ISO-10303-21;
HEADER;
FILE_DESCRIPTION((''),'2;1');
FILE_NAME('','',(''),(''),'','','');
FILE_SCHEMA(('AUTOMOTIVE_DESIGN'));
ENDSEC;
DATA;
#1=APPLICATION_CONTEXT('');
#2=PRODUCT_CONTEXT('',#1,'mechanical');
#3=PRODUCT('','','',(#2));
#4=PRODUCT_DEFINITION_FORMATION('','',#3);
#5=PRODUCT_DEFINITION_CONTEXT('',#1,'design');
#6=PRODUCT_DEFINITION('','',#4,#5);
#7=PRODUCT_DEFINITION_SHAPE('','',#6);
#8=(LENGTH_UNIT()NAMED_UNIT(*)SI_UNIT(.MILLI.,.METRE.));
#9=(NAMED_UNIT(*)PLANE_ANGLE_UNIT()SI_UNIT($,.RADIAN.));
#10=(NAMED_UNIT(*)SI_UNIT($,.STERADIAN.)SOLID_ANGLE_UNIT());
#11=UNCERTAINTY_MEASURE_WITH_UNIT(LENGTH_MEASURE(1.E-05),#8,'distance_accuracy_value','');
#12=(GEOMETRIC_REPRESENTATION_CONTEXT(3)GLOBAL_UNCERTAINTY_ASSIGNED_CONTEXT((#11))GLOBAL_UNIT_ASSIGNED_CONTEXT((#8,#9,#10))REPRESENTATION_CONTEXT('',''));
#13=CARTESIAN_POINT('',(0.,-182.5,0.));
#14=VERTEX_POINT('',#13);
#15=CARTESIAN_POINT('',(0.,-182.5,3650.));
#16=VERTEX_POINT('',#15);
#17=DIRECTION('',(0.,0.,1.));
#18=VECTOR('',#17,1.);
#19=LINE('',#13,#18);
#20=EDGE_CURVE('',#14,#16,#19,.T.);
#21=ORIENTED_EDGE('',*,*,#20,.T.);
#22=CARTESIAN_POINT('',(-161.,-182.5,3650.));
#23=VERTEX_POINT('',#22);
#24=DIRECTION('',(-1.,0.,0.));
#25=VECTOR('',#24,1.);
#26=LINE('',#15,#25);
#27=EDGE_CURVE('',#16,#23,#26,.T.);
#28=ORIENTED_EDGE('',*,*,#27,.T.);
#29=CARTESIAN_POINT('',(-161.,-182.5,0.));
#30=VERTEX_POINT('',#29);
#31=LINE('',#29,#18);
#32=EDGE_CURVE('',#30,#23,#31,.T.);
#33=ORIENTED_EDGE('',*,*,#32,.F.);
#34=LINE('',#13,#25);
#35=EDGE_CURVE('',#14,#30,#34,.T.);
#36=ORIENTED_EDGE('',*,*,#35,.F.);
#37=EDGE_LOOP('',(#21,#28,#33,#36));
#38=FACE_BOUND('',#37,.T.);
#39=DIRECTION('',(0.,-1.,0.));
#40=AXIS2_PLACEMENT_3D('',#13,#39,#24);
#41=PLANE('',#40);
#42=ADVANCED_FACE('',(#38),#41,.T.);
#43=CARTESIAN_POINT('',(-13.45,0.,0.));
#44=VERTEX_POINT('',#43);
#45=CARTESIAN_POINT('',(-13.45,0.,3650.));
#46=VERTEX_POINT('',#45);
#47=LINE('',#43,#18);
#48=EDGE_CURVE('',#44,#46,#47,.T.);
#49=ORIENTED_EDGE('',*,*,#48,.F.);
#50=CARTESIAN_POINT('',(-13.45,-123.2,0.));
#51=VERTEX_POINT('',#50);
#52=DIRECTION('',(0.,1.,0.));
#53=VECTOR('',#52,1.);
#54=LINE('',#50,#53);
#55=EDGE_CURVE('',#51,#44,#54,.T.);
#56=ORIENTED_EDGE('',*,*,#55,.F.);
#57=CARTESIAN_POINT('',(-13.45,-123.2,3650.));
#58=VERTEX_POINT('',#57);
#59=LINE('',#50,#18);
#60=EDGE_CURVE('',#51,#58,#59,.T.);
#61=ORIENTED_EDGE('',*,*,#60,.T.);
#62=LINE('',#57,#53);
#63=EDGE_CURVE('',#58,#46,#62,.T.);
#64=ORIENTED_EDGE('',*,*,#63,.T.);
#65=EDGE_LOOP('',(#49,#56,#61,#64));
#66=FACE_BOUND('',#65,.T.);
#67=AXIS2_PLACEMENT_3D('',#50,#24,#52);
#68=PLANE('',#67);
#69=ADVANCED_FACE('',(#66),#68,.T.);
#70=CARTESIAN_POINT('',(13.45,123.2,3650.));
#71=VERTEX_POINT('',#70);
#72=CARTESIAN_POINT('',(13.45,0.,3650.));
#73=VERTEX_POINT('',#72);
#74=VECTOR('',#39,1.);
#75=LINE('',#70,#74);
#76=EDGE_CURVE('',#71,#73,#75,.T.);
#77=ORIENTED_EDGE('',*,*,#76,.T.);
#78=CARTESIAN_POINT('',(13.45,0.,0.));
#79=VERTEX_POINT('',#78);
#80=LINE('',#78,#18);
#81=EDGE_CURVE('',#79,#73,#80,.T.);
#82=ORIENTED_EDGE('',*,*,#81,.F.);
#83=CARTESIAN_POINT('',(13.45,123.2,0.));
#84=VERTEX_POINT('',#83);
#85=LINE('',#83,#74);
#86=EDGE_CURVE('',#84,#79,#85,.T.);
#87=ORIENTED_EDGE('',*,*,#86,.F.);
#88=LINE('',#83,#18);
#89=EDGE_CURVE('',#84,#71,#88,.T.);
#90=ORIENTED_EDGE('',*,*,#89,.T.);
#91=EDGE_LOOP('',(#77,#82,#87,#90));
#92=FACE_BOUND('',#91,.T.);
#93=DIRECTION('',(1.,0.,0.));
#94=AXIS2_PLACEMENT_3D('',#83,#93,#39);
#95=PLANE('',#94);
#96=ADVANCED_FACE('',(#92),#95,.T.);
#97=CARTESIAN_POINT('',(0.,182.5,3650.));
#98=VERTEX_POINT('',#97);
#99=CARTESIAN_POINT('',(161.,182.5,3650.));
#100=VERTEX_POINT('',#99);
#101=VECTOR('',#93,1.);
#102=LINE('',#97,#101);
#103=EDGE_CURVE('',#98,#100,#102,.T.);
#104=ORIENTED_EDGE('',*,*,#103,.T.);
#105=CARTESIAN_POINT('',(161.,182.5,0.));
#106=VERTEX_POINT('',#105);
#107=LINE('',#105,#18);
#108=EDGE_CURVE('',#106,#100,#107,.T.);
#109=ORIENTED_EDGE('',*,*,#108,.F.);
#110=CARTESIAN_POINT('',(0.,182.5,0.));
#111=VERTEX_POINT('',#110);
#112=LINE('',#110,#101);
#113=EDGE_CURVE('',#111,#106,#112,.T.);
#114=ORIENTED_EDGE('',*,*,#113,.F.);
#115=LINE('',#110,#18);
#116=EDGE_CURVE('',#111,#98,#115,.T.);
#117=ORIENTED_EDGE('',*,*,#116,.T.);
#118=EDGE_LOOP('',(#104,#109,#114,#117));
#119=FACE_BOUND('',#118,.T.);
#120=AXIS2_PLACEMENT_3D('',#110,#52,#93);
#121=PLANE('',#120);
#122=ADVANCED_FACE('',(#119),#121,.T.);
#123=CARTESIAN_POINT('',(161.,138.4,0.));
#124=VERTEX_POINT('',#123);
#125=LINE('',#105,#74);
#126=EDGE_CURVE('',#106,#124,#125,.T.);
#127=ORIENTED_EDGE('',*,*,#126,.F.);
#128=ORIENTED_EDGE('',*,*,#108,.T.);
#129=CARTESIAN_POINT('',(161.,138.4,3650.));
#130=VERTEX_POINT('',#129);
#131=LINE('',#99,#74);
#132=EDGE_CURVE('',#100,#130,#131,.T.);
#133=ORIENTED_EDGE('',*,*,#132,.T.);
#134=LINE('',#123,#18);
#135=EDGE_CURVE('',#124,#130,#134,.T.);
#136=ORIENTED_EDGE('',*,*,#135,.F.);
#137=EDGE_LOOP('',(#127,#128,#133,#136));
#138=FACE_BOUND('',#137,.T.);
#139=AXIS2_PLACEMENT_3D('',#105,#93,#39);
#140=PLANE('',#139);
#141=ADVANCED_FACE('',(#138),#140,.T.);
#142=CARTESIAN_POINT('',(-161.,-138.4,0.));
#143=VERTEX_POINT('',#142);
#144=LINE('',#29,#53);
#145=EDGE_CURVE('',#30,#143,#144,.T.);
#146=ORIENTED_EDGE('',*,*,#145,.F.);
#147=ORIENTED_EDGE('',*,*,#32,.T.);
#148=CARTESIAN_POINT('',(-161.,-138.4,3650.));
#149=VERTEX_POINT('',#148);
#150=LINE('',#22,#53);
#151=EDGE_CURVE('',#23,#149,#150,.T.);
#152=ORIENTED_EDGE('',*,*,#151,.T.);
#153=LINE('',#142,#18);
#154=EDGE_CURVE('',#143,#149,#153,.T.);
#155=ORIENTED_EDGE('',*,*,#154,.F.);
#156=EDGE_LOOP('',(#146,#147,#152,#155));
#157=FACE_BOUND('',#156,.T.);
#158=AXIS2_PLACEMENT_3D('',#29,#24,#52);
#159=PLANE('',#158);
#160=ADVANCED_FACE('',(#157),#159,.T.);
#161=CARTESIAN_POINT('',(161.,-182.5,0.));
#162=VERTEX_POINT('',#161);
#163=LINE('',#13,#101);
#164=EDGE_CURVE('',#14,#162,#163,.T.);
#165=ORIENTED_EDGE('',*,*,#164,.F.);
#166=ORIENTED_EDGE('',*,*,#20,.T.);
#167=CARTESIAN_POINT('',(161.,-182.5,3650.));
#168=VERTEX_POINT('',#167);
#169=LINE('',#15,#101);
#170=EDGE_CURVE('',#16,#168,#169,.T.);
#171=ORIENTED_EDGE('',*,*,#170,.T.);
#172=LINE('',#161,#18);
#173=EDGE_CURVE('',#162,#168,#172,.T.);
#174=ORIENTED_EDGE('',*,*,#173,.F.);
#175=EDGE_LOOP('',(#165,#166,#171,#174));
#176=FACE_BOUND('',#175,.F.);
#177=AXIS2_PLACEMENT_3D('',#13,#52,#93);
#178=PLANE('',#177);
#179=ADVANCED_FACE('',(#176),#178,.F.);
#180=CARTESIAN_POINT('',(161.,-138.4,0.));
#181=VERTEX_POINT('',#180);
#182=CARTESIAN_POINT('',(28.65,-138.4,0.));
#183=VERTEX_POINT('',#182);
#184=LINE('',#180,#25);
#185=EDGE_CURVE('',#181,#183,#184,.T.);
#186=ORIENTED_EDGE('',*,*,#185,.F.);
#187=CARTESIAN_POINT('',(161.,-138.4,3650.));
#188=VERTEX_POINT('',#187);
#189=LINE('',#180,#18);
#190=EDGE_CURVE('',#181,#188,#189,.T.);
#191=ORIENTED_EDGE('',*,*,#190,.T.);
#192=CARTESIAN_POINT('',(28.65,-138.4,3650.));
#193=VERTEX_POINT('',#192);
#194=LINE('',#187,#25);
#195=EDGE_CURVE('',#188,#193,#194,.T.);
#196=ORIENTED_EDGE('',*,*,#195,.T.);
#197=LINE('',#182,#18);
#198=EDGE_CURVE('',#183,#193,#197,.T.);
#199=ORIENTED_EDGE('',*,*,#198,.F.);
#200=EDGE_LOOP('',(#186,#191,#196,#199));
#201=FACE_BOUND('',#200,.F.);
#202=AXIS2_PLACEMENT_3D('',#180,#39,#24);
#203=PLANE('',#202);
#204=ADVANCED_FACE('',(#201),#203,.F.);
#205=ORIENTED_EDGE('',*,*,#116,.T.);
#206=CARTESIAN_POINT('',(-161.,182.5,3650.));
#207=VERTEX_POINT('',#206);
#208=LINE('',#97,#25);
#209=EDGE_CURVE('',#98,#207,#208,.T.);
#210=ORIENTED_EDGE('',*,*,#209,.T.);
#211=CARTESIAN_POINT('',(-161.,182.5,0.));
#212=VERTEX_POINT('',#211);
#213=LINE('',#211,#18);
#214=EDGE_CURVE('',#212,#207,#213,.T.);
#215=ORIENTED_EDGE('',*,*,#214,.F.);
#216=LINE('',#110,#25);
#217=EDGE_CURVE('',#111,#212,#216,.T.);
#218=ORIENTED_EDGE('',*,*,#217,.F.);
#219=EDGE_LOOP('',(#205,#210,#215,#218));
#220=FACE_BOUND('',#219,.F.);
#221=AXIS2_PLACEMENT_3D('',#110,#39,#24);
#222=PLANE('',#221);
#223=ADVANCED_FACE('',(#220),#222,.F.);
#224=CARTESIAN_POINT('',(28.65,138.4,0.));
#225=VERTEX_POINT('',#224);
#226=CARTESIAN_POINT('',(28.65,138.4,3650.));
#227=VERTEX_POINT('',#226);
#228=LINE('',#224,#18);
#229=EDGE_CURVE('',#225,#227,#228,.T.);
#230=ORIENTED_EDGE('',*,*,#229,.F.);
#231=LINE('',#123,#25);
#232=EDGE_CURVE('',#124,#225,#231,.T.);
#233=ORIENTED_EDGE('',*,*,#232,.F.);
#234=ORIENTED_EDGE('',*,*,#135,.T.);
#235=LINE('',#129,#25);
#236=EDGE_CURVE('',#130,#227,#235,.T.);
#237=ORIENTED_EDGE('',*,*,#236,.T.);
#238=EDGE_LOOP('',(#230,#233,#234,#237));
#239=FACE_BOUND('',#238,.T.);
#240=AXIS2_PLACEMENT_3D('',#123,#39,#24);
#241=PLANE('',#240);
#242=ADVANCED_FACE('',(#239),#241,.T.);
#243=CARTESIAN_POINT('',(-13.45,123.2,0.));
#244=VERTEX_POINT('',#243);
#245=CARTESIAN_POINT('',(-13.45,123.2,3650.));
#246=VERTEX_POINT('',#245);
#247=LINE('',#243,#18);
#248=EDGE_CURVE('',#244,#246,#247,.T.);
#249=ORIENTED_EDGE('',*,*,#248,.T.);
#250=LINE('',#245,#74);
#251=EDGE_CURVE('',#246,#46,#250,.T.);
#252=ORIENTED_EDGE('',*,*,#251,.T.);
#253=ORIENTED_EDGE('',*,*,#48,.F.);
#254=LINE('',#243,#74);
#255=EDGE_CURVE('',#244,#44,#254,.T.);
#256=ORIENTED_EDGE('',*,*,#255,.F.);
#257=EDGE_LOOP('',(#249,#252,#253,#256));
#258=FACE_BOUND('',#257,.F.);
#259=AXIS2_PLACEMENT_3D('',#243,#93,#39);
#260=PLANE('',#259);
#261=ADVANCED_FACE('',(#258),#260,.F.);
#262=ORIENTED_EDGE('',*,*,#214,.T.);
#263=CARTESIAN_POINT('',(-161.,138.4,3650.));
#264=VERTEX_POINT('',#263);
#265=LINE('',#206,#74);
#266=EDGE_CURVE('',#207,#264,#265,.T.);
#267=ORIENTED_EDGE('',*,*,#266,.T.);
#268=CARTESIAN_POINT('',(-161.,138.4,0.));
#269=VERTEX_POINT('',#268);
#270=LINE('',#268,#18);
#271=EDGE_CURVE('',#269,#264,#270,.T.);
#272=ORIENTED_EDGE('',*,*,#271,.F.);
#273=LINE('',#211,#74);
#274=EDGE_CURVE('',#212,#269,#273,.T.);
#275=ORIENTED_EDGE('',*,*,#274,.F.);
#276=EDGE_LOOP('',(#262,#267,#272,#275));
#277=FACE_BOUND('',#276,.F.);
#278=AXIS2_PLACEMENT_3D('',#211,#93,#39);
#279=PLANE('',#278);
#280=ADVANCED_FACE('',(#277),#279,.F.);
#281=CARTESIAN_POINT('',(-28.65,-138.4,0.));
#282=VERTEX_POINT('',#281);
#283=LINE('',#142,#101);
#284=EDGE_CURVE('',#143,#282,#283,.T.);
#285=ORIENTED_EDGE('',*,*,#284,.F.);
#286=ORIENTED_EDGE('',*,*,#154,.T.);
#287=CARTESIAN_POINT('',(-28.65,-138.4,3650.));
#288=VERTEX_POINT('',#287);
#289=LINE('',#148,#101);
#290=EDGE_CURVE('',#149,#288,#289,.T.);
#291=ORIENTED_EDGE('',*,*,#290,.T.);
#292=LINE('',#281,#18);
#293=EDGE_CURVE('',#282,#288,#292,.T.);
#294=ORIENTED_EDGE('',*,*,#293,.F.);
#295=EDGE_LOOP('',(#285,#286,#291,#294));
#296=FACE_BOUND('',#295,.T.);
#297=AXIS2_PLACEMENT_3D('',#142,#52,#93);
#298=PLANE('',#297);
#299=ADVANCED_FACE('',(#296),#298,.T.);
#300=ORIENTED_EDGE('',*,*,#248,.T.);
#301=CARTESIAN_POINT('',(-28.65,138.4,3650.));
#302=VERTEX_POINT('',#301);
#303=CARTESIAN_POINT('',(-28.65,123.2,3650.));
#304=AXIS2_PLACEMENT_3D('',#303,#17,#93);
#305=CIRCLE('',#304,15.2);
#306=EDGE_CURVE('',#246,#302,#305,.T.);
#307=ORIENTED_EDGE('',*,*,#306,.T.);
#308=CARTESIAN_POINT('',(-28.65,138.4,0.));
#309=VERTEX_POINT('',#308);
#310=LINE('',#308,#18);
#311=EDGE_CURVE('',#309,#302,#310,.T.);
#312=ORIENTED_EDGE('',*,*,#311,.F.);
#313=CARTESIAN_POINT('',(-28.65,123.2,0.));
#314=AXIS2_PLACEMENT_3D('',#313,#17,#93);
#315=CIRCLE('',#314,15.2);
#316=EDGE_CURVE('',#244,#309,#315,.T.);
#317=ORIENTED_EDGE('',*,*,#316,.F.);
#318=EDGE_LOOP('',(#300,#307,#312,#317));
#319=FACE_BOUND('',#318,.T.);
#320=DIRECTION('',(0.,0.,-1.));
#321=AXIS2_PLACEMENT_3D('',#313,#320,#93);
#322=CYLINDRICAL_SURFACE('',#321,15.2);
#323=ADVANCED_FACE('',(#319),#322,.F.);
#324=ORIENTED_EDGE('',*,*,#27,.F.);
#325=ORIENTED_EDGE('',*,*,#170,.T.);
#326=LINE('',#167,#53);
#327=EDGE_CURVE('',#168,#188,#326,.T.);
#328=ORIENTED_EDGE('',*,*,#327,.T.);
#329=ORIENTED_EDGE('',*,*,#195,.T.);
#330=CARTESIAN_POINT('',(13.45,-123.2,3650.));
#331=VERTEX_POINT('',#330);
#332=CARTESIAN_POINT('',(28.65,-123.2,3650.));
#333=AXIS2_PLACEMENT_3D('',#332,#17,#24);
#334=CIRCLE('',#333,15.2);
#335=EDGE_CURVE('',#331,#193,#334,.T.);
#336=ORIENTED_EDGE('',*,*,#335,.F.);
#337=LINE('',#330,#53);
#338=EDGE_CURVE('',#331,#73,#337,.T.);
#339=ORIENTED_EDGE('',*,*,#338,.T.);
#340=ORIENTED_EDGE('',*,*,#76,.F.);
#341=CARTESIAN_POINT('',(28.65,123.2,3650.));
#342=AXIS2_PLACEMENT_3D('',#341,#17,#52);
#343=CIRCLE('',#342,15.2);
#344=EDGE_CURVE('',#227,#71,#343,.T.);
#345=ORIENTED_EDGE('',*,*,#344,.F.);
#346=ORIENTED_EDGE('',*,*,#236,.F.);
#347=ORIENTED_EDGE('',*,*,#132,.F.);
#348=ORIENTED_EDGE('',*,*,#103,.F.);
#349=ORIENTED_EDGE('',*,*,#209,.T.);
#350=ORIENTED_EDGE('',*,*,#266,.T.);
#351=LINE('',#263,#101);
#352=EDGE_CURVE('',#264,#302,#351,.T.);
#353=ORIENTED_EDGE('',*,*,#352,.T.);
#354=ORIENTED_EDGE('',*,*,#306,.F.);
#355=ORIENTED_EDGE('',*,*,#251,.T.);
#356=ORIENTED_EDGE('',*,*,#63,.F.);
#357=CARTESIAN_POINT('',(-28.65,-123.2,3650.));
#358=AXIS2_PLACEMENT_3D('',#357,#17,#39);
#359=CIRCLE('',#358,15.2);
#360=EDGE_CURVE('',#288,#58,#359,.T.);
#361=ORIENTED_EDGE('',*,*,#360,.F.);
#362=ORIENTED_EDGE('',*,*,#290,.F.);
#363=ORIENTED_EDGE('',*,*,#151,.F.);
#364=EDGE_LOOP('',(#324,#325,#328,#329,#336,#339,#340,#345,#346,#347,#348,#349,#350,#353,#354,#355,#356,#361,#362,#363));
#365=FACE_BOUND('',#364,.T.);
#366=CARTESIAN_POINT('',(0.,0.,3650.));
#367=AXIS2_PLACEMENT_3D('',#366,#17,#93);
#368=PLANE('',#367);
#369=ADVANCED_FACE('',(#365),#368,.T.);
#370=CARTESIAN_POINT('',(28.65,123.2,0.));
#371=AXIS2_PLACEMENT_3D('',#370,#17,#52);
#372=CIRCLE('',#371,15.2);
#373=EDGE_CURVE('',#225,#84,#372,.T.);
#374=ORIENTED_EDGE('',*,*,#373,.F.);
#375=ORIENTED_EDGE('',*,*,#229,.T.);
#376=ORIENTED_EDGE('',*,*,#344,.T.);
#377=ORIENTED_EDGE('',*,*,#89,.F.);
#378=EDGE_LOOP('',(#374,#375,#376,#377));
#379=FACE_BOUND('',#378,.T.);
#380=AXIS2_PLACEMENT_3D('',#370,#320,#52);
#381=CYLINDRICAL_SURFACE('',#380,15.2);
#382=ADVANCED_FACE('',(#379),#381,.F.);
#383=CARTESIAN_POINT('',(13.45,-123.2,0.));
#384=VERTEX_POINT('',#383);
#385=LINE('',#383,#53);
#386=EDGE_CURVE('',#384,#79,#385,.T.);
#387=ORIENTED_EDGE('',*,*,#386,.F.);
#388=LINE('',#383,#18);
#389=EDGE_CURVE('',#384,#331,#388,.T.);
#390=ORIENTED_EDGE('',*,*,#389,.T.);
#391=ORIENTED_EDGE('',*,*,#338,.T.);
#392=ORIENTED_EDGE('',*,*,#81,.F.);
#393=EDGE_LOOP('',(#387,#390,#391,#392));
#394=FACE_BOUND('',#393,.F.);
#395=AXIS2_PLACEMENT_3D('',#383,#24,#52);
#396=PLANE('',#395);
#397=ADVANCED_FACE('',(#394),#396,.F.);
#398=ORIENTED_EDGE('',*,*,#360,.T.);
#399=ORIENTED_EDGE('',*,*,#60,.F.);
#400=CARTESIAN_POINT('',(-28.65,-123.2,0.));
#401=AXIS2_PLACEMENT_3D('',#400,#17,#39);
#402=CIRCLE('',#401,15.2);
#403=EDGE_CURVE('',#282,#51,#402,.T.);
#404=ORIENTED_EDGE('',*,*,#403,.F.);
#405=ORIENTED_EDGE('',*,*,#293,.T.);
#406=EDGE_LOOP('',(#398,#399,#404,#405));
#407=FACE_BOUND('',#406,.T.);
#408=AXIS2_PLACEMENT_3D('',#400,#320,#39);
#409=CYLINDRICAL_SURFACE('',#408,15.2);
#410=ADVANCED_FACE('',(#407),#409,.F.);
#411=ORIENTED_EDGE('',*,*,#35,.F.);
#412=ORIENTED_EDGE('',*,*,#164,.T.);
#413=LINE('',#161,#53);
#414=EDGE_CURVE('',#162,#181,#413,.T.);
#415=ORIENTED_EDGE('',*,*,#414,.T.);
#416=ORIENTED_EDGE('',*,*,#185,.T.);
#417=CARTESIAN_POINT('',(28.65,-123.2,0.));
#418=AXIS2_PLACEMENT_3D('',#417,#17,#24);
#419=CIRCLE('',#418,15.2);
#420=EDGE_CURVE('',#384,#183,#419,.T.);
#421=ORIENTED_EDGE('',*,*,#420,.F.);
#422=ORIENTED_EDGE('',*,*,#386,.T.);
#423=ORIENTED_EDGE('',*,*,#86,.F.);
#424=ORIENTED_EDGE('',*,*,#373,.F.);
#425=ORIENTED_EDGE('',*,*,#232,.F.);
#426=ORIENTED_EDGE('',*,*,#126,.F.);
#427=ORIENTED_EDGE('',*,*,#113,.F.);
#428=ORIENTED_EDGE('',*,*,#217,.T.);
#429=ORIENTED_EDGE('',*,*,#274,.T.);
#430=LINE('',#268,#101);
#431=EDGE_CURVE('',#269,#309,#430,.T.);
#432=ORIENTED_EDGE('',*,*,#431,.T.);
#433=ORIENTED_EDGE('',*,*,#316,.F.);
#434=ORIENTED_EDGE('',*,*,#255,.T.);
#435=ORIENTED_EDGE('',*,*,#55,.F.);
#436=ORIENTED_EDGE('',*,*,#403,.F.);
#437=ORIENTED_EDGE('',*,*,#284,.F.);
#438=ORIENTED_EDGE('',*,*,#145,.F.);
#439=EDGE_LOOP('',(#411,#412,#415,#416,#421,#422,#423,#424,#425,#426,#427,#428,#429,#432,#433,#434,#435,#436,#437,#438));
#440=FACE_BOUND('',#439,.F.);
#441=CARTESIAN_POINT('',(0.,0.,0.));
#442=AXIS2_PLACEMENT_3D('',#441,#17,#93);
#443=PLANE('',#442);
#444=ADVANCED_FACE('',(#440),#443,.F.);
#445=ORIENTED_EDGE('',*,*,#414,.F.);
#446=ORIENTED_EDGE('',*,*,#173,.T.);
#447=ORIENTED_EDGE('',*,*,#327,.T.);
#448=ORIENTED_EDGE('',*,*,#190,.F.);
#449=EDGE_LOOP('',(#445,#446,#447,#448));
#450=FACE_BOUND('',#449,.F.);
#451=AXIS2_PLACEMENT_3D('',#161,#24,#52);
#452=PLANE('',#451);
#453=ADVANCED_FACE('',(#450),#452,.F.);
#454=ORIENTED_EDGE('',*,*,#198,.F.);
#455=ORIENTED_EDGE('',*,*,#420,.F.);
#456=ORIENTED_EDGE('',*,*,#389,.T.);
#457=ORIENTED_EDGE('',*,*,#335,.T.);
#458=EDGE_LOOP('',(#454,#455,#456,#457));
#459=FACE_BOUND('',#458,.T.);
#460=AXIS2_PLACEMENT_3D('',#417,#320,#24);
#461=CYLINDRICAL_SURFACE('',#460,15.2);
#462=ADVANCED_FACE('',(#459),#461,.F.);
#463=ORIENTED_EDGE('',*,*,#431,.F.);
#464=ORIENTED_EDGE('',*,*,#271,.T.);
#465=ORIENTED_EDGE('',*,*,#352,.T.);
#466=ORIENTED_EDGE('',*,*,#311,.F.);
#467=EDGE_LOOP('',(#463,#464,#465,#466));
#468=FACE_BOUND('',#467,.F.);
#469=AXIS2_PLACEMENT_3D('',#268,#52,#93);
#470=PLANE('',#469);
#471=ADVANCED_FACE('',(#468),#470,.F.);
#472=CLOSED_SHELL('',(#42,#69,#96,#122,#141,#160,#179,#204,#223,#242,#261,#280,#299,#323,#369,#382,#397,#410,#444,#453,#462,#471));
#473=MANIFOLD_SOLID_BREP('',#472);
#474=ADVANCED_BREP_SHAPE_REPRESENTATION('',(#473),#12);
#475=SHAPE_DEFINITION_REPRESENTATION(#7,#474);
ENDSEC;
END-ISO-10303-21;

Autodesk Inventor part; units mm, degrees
ref_plane "YZ Plane" through (0, 0, 0) normal (1, 0, 0) x (0, 1, 0)
ref_plane "Start plane" through (0, 0, 0) normal (0, 0, 1) x (1, 0, 0)
ref_plane "End plane" through (0, 0, 3650) normal (0, 0, 1) x (1, 0, 0)
sketch "Sketch" plane through (0, 0, 0) normal (0, 0, 1) x (1, 0, 0)
  line L0 (-161, -182.5) -> (-161, -138.4)
  line L1 (-161, -138.4) -> (-28.65, -138.4)
  line L2 (-13.45, -123.2) -> (-13.45, 0)
  line L3 (-13.45, 0) -> (0, 0) construction
  line L4 (0, 0) -> (0, -182.5) construction
  line L5 (0, -182.5) -> (-161, -182.5)
  line L6 (-60, 0) -> (80, 0) construction
  line L7 (0, -60) -> (0, 80) construction
  line L8 (161, -182.5) -> (161, -138.4)
  line L9 (161, -138.4) -> (28.65, -138.4)
  line L10 (13.45, -123.2) -> (13.45, 0)
  line L11 (13.45, 0) -> (0, 0) construction
  line L12 (0, -182.5) -> (161, -182.5)
  line L13 (-161, 182.5) -> (-161, 138.4)
  line L14 (-161, 138.4) -> (-28.65, 138.4)
  line L15 (-13.45, 123.2) -> (-13.45, 0)
  line L16 (0, 182.5) -> (-161, 182.5)
  line L17 (161, 182.5) -> (161, 138.4)
  line L18 (161, 138.4) -> (28.65, 138.4)
  line L19 (0, 182.5) -> (161, 182.5)
  line L20 (13.45, 123.2) -> (13.45, 0)
  arc A0 (-13.45, 123.2) -> (-28.65, 138.4) centre (-28.65, 123.2) ccw
  arc A1 (28.65, 138.4) -> (13.45, 123.2) centre (28.65, 123.2) ccw
  arc A2 (13.45, -123.2) -> (28.65, -138.4) centre (28.65, -123.2) ccw
  arc A3 (-28.65, -138.4) -> (-13.45, -123.2) centre (-28.65, -123.2) ccw
  line L21 (0, 108) -> (0, -88) construction
  line L22 (-88, 0) -> (108, 0) construction
  point P0 (-13.45, -138.4)
  point P1 (13.45, -138.4)
  point P2 (-13.45, 138.4)
  point P3 (13.45, 138.4)
  dimension "d1" = 182.5
  dimension "d2" = 44.1
  dimension "d3" = 161
  dimension "d4" = 13.45
  dimension "d10" = 15.2
extrude "Body" add sketch "Sketch" along normal up to surface (3650 mm away) from surface at 0
sketch "Sketch4" plane through (0, 0, 0) normal (0, 0, 1) x (1, 0, 0)
  line L0 (0, 0) -> (10, 0)
ref_plane "Work Plane3" through (0, 0, 0) normal (0, -1, 0) x (1, 0, 0)
sketch "Sketch5" plane through (0, 0, 0) normal (0, -1, 0) x (1, 0, 0)
  line L0 (-2, 0) -> (12, 0) projected
  line L1 (-2, 3650) -> (12, 3650) projected
  dimension "d14" = 3650
equation "\"d1\" = 0.5 * G_H"
equation "\"d2\" = G_T1"
equation "\"d3\" = 0.5 * G_W"
equation "\"d4\" = 0.5 * G_T"
equation "\"d10\" = G_IR"
equation "\"d5\" = G_L"
equation "\"G_W\" = 322"
equation "\"G_H\" = 365"
equation "\"G_T\" = 26.9"
equation "\"G_T1\" = 44.1"
equation "\"G_IR\" = 15.2"
equation "\"G_L\" = d14"
equation "\"G_OFFSET_START\" = 0"
equation "\"G_OFFSET_END\" = 0"
properties part number "AS 3679 - 310 UC - 283 - 3650" material "Steel, Mild"
